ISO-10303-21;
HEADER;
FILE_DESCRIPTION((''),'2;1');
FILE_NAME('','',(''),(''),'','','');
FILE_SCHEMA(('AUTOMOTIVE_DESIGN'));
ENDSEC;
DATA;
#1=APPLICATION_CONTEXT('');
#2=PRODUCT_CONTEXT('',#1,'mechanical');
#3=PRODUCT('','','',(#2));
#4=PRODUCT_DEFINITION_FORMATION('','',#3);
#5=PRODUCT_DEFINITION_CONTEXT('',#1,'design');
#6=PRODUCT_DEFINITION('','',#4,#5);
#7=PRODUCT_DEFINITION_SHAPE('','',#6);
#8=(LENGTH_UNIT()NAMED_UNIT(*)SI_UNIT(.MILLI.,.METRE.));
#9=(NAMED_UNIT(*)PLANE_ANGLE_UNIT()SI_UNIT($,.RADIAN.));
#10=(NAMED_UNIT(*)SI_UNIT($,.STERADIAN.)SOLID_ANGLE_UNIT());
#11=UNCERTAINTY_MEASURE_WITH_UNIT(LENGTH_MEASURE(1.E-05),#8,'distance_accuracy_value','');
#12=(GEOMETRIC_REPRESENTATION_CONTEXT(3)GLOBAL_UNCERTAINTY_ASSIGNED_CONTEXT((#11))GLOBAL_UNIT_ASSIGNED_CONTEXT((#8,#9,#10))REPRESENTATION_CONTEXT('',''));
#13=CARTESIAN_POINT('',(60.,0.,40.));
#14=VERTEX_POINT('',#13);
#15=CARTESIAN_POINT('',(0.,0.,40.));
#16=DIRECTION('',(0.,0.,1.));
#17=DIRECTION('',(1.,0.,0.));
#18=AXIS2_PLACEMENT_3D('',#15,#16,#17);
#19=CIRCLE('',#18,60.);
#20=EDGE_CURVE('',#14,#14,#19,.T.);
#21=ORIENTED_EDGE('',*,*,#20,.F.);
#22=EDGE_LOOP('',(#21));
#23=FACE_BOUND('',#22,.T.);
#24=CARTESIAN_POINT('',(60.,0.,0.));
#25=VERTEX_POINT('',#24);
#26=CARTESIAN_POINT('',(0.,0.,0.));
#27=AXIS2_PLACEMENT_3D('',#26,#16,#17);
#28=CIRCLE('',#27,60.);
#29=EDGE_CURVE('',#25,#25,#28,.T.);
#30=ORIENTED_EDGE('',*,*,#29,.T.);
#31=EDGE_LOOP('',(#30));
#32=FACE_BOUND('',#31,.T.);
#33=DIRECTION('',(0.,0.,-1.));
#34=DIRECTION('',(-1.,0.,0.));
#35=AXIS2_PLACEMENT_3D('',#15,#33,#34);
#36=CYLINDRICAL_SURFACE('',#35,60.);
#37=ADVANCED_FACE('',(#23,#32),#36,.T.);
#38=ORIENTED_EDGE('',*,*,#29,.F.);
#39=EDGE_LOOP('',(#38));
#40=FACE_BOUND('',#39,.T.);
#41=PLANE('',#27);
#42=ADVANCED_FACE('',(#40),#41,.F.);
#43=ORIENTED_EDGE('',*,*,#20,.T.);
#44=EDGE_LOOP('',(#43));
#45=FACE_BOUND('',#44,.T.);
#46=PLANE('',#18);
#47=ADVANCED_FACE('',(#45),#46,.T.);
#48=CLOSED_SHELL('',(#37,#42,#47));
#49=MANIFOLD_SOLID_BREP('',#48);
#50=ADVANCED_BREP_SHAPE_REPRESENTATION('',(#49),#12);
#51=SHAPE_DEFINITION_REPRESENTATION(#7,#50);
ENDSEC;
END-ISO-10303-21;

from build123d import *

# Parameters (mm, degrees)
SKETCH1_R           = 60
BOSS_EXTRUDE1_DEPTH = 40


with BuildPart() as part:
    # Sketch1 → Boss-Extrude1 (new body)
    with BuildSketch(Plane.XY):
        Circle(SKETCH1_R)
    extrude(amount=BOSS_EXTRUDE1_DEPTH)


solid = part.part
